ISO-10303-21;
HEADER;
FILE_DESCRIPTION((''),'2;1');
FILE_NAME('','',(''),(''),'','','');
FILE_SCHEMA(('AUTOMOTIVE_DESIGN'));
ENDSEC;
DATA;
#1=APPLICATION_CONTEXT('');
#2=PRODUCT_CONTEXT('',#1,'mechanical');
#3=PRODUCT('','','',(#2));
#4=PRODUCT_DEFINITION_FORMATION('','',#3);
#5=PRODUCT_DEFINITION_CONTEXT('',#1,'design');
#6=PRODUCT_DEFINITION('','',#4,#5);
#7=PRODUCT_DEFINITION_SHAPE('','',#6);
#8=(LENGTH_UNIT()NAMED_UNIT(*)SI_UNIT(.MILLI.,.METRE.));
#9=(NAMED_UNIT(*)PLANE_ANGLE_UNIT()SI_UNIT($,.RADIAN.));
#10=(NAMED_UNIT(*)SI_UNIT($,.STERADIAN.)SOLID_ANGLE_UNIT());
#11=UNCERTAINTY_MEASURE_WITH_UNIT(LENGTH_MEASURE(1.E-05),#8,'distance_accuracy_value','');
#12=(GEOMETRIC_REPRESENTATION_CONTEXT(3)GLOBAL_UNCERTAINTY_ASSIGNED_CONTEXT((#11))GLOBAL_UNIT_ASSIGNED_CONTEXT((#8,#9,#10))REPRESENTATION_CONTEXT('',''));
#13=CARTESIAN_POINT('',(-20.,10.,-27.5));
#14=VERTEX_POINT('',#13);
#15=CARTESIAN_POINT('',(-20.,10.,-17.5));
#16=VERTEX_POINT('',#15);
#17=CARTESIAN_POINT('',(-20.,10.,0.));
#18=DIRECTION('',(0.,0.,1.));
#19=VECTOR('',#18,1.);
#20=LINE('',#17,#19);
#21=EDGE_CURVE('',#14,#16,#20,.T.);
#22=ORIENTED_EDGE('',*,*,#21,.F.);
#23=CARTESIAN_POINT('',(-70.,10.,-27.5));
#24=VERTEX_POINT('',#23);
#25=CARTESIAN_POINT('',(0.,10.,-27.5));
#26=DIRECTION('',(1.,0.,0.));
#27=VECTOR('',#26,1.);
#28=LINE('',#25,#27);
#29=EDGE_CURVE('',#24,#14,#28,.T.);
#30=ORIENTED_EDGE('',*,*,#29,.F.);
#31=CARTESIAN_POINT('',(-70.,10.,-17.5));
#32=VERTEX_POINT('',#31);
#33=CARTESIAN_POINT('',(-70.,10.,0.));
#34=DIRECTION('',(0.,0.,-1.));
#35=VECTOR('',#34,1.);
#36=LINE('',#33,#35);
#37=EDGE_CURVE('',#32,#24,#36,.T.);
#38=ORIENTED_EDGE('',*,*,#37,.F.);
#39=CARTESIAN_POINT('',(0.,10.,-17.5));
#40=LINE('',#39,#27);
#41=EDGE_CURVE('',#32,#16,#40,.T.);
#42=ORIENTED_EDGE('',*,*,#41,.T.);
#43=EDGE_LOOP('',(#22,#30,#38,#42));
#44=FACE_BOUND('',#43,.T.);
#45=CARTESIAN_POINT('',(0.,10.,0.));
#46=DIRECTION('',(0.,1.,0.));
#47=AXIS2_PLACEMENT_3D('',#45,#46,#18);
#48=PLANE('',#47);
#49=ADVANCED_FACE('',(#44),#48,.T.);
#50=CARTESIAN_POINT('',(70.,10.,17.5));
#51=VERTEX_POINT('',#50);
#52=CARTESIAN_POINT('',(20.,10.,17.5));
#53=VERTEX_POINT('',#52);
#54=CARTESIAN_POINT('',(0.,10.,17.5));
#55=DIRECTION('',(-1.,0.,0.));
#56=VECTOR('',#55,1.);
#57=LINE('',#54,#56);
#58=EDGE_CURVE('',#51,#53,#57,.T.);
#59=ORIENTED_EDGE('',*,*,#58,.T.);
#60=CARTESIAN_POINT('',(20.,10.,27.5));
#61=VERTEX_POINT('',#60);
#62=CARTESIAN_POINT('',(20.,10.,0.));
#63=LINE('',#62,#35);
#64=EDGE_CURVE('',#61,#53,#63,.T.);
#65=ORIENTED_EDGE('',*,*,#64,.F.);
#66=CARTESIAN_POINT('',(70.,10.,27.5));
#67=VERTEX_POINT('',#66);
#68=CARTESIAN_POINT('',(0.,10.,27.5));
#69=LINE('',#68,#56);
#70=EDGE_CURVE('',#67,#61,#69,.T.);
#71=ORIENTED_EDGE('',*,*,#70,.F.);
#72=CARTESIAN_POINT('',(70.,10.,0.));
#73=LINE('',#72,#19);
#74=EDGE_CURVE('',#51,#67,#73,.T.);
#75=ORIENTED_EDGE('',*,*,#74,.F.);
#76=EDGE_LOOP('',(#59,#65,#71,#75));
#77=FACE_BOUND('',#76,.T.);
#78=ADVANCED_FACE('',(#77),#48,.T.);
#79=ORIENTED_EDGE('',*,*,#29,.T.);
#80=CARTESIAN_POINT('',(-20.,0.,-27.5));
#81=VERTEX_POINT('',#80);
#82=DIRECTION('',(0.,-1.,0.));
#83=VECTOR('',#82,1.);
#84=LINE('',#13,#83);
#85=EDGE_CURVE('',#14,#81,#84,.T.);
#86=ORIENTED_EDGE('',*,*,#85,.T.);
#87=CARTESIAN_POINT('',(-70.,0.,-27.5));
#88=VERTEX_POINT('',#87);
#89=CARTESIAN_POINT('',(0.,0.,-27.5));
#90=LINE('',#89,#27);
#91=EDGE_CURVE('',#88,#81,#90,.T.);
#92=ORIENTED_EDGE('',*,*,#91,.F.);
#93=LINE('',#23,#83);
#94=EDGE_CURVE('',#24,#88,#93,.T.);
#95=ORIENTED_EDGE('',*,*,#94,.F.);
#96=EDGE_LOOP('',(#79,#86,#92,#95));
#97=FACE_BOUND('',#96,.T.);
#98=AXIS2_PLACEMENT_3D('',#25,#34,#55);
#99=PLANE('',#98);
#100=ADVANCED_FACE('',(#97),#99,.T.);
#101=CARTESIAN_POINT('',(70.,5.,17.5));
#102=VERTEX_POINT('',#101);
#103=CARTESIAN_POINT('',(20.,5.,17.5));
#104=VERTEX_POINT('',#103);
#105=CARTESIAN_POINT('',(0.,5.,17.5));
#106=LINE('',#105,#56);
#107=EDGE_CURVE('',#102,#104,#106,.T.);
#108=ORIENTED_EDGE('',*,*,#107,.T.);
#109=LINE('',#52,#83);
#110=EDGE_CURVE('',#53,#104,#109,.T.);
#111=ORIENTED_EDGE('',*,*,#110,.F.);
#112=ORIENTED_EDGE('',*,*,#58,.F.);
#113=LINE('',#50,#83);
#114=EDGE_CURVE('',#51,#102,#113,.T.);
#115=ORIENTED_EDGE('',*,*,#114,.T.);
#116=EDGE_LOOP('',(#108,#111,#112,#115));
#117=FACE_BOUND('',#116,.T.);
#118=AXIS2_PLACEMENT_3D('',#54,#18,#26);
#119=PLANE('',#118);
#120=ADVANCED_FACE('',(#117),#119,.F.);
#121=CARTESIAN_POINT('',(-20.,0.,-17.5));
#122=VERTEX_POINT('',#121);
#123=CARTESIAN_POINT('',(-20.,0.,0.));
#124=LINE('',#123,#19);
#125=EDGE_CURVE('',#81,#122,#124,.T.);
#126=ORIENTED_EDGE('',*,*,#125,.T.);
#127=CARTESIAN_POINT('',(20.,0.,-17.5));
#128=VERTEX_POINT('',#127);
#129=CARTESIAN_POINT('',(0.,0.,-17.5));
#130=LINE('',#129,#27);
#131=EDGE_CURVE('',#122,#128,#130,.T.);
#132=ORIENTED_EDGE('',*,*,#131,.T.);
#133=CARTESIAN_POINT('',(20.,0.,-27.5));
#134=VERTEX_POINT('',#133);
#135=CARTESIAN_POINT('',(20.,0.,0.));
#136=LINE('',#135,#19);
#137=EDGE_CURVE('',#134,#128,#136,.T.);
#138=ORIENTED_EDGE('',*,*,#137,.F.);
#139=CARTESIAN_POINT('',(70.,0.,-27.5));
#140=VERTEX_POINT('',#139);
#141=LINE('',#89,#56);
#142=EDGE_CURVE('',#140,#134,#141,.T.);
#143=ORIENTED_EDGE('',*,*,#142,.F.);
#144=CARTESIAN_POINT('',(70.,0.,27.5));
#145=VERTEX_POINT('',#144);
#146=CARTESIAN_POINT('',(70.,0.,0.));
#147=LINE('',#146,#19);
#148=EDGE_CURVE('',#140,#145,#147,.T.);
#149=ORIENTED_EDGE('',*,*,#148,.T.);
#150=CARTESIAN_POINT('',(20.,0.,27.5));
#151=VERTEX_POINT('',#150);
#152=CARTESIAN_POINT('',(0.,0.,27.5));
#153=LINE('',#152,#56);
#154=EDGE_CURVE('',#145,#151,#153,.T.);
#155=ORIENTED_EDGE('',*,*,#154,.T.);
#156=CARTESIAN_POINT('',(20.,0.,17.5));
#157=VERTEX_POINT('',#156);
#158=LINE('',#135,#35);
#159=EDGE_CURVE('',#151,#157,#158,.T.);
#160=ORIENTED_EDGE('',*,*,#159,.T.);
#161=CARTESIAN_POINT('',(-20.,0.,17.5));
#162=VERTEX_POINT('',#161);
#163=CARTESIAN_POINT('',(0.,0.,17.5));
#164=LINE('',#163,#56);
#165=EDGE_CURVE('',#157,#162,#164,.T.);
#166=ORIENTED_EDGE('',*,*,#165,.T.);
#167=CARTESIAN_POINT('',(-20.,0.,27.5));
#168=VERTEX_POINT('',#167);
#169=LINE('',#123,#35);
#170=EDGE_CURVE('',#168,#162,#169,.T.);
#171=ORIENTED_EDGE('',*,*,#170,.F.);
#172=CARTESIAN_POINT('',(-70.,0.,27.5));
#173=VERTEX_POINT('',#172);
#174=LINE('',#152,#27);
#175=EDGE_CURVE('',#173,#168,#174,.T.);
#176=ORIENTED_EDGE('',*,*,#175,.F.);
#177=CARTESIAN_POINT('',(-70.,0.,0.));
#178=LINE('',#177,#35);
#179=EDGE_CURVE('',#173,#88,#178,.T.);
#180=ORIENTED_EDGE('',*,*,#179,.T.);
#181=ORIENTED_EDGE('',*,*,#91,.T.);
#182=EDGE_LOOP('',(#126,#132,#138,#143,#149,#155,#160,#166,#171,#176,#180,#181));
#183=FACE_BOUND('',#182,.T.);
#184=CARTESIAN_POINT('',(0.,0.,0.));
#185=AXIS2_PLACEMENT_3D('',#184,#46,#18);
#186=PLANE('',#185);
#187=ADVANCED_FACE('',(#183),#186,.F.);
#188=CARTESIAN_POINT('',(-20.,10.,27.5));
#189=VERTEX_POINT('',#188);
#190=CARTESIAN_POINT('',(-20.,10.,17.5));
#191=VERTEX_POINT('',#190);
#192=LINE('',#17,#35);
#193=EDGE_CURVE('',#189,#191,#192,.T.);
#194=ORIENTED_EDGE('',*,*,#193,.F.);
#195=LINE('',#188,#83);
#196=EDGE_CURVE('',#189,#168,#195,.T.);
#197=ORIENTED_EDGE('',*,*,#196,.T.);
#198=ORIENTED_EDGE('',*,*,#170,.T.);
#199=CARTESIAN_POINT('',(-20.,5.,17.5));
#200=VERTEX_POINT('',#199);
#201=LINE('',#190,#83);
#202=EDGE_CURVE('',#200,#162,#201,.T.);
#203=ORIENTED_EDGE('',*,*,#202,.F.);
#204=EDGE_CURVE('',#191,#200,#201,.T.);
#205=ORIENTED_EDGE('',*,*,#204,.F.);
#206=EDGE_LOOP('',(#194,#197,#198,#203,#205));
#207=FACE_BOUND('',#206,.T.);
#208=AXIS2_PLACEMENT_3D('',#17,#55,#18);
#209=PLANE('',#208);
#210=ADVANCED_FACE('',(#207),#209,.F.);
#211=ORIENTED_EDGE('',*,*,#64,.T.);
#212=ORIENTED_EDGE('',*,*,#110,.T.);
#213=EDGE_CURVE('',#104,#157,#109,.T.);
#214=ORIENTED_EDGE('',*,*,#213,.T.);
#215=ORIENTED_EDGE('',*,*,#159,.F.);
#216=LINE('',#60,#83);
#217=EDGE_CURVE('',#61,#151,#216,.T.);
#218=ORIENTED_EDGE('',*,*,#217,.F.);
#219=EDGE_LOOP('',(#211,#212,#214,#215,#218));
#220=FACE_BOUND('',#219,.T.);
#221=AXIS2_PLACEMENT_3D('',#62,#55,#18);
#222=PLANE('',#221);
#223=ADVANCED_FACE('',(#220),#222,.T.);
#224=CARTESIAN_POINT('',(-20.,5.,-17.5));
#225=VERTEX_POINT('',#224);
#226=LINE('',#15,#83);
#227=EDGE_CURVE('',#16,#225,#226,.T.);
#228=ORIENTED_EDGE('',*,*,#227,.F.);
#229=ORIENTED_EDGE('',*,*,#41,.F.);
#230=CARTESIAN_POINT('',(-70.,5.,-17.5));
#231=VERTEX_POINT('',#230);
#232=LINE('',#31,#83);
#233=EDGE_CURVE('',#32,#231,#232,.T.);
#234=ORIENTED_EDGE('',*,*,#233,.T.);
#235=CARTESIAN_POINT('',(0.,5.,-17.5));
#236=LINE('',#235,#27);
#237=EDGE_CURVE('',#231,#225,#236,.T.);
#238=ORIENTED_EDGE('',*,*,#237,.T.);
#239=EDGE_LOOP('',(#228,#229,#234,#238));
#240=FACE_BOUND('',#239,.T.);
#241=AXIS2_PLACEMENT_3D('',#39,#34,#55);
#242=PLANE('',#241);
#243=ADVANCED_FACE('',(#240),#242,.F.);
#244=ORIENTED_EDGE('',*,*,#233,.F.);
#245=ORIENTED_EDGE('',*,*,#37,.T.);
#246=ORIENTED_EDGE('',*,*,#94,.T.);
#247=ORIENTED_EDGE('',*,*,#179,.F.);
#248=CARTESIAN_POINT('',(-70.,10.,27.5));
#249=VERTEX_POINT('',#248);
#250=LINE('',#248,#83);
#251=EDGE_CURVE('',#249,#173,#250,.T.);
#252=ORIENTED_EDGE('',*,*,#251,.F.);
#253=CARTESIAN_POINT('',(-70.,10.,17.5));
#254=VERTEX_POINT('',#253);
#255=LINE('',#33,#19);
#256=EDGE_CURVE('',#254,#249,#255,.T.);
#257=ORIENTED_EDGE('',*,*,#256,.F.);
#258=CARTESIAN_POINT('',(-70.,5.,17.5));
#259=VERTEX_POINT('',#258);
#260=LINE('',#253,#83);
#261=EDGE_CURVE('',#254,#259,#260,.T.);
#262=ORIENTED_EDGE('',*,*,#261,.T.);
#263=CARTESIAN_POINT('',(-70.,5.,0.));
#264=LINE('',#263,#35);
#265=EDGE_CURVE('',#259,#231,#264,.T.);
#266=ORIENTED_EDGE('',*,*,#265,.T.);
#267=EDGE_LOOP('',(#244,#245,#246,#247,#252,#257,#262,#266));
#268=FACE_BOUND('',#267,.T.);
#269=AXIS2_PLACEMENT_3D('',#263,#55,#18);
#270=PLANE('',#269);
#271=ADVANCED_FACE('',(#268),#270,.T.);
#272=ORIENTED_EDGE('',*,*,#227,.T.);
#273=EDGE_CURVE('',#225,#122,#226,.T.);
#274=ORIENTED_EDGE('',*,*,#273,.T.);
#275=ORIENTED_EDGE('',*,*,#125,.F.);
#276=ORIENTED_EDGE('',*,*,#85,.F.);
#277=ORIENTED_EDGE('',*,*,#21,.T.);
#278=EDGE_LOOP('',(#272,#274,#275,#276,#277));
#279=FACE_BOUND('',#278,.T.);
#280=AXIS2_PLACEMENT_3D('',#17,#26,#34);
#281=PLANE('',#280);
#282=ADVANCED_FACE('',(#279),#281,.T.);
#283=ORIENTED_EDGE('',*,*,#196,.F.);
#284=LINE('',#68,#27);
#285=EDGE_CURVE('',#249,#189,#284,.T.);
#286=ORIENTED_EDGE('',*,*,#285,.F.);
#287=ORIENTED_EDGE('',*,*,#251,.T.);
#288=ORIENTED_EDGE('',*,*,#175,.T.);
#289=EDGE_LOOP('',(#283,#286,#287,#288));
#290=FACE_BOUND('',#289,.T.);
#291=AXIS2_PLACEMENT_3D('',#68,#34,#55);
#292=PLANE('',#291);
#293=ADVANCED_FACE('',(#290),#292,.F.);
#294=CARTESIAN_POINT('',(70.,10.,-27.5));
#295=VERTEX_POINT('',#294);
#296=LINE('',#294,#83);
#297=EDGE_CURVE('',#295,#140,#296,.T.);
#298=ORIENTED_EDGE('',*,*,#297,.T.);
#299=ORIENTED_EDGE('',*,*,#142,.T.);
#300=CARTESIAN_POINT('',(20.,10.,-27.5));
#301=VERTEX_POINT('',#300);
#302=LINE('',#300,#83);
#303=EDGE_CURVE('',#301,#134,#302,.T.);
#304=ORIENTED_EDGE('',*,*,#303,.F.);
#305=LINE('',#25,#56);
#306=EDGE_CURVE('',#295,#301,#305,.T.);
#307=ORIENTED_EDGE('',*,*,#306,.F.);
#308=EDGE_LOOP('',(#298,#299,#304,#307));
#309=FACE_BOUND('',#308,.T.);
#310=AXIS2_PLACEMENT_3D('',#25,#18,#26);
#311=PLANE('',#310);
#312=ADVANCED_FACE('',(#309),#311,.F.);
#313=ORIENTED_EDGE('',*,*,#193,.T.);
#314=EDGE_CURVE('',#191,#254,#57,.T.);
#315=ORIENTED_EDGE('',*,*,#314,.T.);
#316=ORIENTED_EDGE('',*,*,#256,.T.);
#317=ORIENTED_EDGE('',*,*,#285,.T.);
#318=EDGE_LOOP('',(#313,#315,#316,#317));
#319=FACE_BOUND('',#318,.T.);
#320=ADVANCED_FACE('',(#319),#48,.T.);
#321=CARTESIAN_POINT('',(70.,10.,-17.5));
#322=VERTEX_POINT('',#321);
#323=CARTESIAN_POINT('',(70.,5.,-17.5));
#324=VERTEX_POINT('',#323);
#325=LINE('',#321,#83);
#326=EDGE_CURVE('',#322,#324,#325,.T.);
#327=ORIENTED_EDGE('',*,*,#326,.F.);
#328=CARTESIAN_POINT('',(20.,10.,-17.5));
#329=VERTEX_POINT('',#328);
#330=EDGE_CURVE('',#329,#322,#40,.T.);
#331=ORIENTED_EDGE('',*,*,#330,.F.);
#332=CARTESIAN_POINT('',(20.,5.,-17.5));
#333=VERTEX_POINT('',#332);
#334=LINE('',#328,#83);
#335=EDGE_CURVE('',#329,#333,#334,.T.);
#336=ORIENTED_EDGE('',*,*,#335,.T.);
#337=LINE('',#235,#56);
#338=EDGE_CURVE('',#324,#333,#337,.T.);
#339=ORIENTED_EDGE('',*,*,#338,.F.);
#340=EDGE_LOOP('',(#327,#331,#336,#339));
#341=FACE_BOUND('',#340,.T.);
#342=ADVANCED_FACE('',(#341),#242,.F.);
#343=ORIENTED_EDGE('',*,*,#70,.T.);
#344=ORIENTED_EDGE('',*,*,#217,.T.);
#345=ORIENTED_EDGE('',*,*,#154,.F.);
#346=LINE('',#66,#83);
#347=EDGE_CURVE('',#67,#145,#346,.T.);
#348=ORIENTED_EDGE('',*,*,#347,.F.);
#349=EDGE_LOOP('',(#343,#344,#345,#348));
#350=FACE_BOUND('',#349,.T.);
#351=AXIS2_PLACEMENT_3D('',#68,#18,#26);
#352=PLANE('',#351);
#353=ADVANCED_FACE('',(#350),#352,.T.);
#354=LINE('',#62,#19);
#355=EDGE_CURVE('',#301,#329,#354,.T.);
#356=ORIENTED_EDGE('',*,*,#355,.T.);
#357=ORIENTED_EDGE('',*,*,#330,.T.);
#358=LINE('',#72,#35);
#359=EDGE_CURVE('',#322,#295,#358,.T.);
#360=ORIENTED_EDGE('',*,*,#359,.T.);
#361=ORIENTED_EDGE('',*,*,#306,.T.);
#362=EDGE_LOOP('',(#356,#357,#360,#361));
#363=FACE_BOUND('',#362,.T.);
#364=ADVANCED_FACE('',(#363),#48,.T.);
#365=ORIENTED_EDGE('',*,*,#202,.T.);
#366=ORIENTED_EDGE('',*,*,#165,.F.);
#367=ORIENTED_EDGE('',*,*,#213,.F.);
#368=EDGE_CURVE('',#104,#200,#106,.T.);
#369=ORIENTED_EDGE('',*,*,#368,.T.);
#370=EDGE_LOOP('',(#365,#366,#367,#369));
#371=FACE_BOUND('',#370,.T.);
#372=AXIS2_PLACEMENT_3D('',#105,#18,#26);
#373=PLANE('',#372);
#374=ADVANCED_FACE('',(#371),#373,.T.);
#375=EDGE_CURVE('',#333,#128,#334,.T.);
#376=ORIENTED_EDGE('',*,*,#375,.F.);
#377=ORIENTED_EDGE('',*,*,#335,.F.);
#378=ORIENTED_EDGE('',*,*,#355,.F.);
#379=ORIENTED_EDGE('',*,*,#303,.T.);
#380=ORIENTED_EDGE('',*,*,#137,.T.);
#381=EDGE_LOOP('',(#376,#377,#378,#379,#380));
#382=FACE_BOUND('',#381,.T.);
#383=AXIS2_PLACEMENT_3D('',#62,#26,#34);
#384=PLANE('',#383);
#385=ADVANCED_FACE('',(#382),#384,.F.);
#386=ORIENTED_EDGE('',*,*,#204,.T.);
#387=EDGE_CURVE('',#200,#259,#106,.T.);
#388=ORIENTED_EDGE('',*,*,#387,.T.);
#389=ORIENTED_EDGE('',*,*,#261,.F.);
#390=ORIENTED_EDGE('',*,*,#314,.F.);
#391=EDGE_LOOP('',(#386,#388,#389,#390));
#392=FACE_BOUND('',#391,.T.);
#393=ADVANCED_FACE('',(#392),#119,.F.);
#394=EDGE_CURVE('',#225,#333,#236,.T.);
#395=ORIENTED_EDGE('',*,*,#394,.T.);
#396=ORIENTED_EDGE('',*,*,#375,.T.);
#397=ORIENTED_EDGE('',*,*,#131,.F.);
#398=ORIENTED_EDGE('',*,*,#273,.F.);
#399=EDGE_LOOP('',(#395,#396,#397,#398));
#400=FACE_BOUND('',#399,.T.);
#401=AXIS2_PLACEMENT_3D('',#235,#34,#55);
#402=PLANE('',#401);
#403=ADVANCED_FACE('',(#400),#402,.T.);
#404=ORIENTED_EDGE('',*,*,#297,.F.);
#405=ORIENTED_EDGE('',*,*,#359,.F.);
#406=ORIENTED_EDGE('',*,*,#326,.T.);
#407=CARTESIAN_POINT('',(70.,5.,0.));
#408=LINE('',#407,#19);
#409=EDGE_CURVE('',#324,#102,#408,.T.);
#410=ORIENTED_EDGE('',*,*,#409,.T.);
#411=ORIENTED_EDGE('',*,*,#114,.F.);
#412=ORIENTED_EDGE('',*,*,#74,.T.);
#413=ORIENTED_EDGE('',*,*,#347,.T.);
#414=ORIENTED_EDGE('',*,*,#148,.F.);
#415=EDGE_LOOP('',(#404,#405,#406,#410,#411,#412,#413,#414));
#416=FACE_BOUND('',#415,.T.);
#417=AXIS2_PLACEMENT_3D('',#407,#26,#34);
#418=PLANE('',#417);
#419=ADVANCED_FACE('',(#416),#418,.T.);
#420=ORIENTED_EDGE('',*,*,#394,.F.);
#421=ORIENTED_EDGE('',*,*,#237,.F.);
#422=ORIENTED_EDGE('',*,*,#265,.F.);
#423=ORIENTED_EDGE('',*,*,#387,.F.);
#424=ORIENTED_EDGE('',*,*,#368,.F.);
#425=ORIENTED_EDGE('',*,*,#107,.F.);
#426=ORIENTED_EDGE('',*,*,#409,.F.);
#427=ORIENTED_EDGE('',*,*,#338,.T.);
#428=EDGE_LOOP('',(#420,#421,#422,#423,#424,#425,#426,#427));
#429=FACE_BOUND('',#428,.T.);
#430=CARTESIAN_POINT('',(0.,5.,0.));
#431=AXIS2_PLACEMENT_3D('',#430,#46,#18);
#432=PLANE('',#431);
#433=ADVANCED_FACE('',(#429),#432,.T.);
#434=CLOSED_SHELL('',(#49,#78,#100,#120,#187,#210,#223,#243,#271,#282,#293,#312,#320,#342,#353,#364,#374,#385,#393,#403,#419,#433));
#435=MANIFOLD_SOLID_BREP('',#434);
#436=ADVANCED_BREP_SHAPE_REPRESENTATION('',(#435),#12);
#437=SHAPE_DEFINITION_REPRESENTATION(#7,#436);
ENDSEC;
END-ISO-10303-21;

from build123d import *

# Parameters (mm, degrees)
EXTRUDE_1_DEPTH = 5
SKETCH_1_3_W    = 50
SKETCH_1_3_H    = 10
EXTRUDE_2_DEPTH = 10


with BuildPart() as part:
    # Эскиз1 → Бобышка-Вытянуть1 (new body)
    with BuildSketch(Plane(origin=(0, 0, 0), x_dir=(1, 0, 0), z_dir=(0, 1, 0))):
        Polygon((-70, 17.5), (-70, -17.5), (-20, -17.5), (20, -17.5), (70, -17.5), (70, 17.5), (20, 17.5), (-20, 17.5), align=None)
    extrude(amount=EXTRUDE_1_DEPTH)

    # Эскиз1<3> → Бобышка-Вытянуть2 (add)
    with BuildSketch(Plane(origin=(0, 0, 0), x_dir=(1, 0, 0), z_dir=(0, 1, 0))):
        with Locations((-45, -22.5)):
            Rectangle(SKETCH_1_3_W, SKETCH_1_3_H)
        with Locations((-45, 22.5)):
            Rectangle(SKETCH_1_3_W, SKETCH_1_3_H)
        with Locations((45, -22.5)):
            Rectangle(SKETCH_1_3_W, SKETCH_1_3_H)
        with Locations((45, 22.5)):
            Rectangle(SKETCH_1_3_W, SKETCH_1_3_H)
    extrude(amount=EXTRUDE_2_DEPTH)


solid = part.part
